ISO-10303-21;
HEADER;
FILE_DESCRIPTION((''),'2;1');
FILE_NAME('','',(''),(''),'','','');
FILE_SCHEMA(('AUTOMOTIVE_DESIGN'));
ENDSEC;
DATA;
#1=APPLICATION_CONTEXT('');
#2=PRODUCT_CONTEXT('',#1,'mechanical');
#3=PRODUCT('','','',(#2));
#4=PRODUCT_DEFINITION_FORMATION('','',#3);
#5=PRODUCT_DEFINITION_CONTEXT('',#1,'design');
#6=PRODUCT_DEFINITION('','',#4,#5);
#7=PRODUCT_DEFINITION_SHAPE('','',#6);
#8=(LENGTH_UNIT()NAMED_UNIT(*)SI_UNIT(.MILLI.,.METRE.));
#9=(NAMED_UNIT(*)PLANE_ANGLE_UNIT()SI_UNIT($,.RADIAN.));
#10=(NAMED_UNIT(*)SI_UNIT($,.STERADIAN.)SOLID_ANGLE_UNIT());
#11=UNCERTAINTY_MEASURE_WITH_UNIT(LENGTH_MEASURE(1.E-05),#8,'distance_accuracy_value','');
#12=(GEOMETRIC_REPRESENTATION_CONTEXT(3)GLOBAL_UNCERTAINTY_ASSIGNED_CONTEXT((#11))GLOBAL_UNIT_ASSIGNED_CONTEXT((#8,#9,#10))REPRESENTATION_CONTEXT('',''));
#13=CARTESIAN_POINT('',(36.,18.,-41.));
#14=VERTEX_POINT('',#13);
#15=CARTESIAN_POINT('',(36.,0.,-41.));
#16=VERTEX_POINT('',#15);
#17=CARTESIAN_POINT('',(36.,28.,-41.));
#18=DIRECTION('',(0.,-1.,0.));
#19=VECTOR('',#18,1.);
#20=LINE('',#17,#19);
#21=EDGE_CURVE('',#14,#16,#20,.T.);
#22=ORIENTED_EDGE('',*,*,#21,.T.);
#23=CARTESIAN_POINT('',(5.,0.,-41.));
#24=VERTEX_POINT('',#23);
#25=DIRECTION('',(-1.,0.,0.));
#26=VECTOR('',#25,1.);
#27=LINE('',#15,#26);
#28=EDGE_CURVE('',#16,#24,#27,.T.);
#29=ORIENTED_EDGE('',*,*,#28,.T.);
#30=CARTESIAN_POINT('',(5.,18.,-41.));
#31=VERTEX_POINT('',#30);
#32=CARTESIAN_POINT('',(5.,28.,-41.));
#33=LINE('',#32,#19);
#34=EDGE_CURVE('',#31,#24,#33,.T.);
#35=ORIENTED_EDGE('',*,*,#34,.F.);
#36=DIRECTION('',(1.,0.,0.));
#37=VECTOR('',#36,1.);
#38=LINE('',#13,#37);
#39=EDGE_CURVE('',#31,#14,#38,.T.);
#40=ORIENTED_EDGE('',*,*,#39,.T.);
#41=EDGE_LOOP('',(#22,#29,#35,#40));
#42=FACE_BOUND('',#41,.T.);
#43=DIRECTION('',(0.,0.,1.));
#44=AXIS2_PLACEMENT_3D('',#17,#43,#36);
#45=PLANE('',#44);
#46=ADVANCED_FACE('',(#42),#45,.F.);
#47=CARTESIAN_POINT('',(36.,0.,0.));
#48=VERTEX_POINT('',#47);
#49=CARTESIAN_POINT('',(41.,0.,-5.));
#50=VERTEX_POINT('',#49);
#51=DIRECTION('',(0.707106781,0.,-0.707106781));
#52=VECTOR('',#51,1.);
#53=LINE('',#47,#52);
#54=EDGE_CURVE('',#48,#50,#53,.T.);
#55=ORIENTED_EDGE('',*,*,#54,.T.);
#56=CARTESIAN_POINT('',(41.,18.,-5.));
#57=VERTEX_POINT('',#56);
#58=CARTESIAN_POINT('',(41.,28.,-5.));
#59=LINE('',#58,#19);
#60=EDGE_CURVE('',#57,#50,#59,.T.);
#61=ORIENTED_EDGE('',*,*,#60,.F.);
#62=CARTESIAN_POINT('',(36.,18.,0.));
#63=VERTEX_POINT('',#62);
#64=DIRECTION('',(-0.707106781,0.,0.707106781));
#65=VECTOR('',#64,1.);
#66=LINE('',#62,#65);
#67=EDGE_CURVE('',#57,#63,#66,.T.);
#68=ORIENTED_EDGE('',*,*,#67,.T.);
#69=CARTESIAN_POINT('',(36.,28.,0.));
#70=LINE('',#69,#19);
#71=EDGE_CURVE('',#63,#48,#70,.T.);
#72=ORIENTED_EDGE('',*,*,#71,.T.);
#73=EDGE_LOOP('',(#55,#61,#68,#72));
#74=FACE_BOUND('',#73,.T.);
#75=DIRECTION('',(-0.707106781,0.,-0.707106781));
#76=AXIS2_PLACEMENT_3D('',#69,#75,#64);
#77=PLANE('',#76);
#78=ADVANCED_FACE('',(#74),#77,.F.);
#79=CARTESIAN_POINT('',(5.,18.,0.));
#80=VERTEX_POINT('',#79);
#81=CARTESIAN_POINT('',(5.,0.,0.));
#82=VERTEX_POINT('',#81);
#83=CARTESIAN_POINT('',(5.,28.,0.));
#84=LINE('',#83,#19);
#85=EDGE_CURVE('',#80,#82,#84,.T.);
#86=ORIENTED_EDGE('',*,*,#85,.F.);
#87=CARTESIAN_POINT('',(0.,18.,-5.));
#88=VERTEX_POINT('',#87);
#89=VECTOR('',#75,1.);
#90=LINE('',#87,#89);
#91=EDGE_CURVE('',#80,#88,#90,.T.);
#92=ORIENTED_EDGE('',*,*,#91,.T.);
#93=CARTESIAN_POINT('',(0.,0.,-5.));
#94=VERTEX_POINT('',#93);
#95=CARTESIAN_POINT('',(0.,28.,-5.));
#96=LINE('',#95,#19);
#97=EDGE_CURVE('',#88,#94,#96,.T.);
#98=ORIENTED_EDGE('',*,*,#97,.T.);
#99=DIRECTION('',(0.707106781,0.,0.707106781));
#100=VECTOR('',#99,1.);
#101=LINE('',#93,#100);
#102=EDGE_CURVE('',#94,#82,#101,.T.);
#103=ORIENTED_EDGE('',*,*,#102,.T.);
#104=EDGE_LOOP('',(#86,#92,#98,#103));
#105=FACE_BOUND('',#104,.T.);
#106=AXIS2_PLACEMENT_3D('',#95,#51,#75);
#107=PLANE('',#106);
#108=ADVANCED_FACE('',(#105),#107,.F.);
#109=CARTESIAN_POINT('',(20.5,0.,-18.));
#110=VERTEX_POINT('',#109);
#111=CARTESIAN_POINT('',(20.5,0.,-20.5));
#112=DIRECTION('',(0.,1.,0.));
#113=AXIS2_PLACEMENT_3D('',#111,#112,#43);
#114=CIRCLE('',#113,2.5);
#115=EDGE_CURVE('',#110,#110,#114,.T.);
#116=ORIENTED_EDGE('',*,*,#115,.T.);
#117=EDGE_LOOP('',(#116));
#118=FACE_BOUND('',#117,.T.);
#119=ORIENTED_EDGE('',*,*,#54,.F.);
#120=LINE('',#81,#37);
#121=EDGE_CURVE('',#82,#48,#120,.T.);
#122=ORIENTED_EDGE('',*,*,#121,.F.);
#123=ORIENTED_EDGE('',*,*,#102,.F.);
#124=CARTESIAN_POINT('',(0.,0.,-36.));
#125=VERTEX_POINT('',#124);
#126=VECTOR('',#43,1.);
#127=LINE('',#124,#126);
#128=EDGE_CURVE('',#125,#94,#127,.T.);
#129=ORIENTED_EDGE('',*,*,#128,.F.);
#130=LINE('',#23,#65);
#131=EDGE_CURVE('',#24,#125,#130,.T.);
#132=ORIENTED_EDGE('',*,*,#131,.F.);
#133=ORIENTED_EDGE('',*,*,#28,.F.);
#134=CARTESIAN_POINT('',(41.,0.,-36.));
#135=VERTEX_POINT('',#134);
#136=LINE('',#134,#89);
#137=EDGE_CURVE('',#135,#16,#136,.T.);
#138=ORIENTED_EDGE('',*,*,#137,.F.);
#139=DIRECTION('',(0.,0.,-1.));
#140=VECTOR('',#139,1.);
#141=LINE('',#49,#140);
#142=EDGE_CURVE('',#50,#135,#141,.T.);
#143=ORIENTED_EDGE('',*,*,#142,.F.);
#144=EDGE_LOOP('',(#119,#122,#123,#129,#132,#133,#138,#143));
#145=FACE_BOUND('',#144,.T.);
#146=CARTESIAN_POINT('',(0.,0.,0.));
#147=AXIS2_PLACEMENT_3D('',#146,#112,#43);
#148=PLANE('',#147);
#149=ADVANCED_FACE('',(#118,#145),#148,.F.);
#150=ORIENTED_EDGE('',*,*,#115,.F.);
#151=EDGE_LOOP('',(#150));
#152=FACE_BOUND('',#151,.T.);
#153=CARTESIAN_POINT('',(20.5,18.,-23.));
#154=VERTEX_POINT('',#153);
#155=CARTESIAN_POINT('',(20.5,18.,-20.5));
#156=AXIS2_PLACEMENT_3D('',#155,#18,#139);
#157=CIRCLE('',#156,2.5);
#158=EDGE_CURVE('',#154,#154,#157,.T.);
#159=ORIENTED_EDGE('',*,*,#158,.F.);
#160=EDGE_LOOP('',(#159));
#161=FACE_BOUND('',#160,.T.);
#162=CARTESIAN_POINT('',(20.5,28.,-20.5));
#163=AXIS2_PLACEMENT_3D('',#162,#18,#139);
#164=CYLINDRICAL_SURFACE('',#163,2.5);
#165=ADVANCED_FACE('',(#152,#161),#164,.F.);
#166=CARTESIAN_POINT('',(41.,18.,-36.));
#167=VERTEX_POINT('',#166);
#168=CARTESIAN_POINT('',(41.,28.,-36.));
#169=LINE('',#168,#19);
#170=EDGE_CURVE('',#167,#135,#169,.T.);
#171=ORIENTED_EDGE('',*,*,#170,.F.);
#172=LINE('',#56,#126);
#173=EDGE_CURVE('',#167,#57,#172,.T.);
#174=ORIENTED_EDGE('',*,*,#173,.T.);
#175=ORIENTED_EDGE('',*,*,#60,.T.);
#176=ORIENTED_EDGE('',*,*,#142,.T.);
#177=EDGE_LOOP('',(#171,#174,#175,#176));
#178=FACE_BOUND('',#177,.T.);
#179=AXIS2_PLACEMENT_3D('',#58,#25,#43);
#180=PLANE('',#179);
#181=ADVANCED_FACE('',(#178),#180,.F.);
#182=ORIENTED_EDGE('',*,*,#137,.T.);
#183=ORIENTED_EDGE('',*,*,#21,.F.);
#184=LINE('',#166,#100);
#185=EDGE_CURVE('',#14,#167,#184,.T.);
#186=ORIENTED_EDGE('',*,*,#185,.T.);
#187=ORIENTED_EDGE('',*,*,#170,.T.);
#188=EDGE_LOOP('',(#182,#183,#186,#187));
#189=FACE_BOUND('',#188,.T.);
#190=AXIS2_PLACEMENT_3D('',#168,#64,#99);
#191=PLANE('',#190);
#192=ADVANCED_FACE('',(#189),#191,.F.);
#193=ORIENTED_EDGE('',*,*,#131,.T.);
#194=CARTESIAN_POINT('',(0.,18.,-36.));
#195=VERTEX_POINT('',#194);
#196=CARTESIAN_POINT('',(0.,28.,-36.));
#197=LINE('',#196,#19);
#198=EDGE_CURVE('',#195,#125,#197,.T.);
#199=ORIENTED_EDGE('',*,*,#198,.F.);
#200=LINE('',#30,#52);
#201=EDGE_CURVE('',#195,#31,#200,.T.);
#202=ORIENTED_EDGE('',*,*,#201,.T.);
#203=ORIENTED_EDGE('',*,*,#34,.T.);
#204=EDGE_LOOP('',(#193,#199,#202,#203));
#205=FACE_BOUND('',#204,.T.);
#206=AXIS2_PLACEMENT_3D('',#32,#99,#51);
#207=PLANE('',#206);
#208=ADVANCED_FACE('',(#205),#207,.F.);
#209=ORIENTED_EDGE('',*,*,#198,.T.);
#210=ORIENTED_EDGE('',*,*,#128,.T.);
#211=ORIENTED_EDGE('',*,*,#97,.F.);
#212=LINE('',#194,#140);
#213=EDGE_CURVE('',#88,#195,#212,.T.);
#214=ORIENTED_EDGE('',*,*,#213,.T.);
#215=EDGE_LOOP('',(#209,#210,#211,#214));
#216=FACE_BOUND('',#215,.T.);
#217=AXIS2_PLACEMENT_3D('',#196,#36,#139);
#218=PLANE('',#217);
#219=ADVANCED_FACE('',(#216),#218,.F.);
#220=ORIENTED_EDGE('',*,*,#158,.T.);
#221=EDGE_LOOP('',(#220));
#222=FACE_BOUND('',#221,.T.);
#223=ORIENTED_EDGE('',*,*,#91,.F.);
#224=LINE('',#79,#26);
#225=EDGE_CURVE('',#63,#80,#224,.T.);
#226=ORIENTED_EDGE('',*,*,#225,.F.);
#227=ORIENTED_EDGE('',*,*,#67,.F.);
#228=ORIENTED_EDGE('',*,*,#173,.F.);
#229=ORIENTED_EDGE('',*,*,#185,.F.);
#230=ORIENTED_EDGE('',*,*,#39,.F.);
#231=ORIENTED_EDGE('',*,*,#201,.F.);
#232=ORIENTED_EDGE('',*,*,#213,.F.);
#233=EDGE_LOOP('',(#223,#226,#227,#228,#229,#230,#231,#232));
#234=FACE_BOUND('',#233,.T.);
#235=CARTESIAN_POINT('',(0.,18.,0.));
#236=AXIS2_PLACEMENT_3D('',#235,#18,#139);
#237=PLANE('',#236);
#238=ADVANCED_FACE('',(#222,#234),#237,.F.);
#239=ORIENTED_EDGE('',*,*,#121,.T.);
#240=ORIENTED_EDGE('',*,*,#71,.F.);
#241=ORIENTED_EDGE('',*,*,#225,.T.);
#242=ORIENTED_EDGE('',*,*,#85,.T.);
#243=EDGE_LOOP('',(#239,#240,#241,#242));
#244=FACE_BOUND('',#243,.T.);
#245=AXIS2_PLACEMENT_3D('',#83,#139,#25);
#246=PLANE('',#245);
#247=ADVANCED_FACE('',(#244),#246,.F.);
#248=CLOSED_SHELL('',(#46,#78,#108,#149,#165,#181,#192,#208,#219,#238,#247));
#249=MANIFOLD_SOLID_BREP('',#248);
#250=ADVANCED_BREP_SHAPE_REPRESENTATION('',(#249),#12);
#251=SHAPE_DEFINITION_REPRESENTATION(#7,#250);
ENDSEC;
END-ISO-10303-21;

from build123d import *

# Parameters (mm, degrees)
SKETCH1_R           = 2.5
BOSS_EXTRUDE1_DEPTH = 28
SKETCH2_W           = 46.067929507
SKETCH2_H           = 54.310700194
CUT_EXTRUDE1_DEPTH  = 10


with BuildPart() as part:
    # Sketch1 → Boss-Extrude1 (new body)
    with BuildSketch(Plane(origin=(0, 0, 0), x_dir=(1, 0, 0), z_dir=(0, 1, 0))):
        Polygon((5, 0), (36, 0), (41, 5), (41, 36), (36, 41), (5, 41), (0, 36), (0, 5), align=None)
        with Locations(Location((20.5, 20.5, 0), (0, 0, 270))):
            Circle(SKETCH1_R, mode=Mode.SUBTRACT)
    extrude(amount=BOSS_EXTRUDE1_DEPTH)

    # Sketch2 → Cut-Extrude1 (cut)
    with BuildSketch(Plane(origin=(0, 28, 0), x_dir=(1, 0, 0), z_dir=(0, 1, 0))):
        with Locations((20.912138535, 21.370070239)):
            Rectangle(SKETCH2_W, SKETCH2_H)
    extrude(amount=-CUT_EXTRUDE1_DEPTH, mode=Mode.SUBTRACT)


solid = part.part
